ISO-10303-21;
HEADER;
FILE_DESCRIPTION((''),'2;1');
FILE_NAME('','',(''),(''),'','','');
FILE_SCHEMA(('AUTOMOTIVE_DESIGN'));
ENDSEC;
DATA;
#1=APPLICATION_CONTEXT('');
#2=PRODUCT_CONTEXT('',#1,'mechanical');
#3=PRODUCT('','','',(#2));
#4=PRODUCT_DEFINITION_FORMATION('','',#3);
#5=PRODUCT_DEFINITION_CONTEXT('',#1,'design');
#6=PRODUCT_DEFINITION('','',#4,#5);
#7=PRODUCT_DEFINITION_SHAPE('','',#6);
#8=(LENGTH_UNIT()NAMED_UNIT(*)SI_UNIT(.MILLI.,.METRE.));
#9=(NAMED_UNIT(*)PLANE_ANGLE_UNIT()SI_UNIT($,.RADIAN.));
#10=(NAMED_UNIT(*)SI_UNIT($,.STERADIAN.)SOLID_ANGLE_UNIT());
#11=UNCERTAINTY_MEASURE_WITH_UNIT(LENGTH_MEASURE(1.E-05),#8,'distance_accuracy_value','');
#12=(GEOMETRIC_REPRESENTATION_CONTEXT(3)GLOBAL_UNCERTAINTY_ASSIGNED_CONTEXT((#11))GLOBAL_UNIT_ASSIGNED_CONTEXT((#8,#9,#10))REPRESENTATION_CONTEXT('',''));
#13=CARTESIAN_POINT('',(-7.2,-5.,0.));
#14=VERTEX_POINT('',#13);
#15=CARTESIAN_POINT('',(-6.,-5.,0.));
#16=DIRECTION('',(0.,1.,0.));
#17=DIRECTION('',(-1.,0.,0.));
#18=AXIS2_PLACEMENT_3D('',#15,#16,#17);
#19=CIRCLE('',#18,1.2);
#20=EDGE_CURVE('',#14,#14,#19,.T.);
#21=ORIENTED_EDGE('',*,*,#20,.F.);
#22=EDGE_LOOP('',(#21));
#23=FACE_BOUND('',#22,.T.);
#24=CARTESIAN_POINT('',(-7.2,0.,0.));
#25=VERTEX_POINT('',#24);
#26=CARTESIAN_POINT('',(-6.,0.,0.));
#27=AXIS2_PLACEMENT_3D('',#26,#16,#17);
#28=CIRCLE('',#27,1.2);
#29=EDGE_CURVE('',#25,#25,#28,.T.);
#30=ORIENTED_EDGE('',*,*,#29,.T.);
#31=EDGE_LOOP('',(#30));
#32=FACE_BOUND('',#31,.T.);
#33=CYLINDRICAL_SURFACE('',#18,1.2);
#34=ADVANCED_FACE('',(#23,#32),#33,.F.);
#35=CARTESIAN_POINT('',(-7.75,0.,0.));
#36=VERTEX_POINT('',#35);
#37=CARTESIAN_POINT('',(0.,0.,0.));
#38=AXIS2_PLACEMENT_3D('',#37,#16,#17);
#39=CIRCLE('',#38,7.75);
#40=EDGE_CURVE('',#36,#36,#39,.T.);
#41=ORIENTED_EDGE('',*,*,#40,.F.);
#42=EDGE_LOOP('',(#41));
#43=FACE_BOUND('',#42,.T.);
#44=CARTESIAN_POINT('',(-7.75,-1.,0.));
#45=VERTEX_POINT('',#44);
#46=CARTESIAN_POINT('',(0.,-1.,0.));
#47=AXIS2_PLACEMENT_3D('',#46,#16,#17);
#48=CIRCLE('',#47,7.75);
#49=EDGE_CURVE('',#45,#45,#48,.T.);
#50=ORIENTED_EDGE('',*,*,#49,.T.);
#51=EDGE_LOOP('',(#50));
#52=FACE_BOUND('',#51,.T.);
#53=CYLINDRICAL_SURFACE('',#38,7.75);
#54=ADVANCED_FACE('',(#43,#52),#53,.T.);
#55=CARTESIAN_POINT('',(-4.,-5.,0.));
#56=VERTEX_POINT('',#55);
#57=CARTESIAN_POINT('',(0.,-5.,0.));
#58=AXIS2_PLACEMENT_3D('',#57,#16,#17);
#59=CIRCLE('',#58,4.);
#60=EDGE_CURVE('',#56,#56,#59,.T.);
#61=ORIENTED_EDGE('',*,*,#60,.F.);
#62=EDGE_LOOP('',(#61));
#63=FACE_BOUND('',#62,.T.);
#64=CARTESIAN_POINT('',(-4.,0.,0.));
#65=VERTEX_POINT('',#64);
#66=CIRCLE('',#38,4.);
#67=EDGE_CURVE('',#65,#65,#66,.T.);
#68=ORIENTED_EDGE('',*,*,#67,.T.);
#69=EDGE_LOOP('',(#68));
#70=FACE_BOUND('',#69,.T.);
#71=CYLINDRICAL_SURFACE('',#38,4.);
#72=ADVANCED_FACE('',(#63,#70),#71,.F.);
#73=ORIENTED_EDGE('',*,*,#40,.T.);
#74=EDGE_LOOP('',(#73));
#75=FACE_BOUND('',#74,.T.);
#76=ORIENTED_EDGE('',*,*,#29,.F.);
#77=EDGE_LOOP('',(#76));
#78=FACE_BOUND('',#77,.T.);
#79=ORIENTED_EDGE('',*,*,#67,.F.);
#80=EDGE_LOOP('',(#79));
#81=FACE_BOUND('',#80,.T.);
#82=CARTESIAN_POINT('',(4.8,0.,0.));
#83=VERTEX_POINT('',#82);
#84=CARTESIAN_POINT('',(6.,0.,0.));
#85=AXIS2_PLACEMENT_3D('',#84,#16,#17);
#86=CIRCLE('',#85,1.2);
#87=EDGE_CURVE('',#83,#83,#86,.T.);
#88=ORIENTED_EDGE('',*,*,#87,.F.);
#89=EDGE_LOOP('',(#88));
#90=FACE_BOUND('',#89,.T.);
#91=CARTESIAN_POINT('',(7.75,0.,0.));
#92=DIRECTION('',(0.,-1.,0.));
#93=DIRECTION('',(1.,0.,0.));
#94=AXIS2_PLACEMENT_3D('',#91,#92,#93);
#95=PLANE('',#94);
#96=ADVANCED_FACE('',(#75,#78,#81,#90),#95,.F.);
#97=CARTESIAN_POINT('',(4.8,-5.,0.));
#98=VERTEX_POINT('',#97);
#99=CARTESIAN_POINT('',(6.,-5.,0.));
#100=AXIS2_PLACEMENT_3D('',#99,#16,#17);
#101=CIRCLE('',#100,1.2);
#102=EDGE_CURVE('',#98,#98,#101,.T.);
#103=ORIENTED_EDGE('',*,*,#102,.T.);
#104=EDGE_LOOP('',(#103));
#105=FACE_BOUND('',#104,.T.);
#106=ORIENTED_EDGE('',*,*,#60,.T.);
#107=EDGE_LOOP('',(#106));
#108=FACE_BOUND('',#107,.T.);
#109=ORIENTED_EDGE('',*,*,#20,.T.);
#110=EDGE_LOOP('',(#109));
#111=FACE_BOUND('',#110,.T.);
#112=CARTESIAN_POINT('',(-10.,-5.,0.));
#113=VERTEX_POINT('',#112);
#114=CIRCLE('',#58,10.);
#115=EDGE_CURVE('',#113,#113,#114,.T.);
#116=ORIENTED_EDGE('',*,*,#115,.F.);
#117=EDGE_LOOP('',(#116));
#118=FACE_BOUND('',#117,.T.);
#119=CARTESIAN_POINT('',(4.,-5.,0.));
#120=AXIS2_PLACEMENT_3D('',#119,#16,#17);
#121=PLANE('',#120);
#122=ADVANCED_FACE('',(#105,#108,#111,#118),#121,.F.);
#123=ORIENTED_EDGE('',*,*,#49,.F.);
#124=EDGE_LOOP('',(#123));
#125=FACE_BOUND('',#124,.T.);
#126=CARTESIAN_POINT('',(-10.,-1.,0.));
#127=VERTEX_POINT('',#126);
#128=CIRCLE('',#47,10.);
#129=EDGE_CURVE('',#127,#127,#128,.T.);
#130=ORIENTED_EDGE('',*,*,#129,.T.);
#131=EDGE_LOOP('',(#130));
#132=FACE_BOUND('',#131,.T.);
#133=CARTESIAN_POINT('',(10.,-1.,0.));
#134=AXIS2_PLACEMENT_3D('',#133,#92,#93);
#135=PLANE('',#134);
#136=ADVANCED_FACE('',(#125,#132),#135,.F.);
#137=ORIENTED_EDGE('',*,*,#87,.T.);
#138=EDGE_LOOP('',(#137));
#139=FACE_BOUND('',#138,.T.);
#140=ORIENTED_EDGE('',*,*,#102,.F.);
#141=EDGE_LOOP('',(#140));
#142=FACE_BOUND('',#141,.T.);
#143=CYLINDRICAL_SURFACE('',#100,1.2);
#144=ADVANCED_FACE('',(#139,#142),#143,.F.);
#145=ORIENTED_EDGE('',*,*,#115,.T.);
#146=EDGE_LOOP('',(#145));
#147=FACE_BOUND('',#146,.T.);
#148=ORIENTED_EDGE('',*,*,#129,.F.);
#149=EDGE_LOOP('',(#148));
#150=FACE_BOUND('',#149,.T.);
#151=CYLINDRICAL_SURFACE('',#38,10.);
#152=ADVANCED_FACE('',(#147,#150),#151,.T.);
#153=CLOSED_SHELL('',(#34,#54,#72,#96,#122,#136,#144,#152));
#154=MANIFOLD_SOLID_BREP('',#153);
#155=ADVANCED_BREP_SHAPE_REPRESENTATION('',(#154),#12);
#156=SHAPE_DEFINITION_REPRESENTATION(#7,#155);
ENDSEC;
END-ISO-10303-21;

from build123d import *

# Parameters (mm, degrees)
ESQUISSE2_R             = 1.2
ENL_V_MAT_EXTRU_1_DEPTH = 16


with BuildPart() as part:
    # Esquisse1 → Révolution1 (revolve)
    with BuildSketch(Plane.XY, mode=Mode.PRIVATE) as r_volution1_sk:
        Polygon((4, 0), (4, -5), (10, -5), (10, -1), (7.75, -1), (7.75, 0), align=None)
    revolve(r_volution1_sk.sketch.rotate(Axis((0, 0, 0), (0, -1, 0)), 180), axis=Axis((0, 0, 0), (0, -1, 0)))

    # Esquisse2 → Enlèv. mat.-Extru.1 (cut, through all)
    with BuildSketch(Plane(origin=(0, 0, 0), x_dir=(1, 0, 0), z_dir=(0, 1, 0))):
        with Locations(Location((6, 0, 0), (0, 0, 180))):
            Circle(ESQUISSE2_R)
        with Locations(Location((-6, 0, 0), (0, 0, 180))):
            Circle(ESQUISSE2_R)
    extrude(amount=-ENL_V_MAT_EXTRU_1_DEPTH, mode=Mode.SUBTRACT)


solid = part.part
